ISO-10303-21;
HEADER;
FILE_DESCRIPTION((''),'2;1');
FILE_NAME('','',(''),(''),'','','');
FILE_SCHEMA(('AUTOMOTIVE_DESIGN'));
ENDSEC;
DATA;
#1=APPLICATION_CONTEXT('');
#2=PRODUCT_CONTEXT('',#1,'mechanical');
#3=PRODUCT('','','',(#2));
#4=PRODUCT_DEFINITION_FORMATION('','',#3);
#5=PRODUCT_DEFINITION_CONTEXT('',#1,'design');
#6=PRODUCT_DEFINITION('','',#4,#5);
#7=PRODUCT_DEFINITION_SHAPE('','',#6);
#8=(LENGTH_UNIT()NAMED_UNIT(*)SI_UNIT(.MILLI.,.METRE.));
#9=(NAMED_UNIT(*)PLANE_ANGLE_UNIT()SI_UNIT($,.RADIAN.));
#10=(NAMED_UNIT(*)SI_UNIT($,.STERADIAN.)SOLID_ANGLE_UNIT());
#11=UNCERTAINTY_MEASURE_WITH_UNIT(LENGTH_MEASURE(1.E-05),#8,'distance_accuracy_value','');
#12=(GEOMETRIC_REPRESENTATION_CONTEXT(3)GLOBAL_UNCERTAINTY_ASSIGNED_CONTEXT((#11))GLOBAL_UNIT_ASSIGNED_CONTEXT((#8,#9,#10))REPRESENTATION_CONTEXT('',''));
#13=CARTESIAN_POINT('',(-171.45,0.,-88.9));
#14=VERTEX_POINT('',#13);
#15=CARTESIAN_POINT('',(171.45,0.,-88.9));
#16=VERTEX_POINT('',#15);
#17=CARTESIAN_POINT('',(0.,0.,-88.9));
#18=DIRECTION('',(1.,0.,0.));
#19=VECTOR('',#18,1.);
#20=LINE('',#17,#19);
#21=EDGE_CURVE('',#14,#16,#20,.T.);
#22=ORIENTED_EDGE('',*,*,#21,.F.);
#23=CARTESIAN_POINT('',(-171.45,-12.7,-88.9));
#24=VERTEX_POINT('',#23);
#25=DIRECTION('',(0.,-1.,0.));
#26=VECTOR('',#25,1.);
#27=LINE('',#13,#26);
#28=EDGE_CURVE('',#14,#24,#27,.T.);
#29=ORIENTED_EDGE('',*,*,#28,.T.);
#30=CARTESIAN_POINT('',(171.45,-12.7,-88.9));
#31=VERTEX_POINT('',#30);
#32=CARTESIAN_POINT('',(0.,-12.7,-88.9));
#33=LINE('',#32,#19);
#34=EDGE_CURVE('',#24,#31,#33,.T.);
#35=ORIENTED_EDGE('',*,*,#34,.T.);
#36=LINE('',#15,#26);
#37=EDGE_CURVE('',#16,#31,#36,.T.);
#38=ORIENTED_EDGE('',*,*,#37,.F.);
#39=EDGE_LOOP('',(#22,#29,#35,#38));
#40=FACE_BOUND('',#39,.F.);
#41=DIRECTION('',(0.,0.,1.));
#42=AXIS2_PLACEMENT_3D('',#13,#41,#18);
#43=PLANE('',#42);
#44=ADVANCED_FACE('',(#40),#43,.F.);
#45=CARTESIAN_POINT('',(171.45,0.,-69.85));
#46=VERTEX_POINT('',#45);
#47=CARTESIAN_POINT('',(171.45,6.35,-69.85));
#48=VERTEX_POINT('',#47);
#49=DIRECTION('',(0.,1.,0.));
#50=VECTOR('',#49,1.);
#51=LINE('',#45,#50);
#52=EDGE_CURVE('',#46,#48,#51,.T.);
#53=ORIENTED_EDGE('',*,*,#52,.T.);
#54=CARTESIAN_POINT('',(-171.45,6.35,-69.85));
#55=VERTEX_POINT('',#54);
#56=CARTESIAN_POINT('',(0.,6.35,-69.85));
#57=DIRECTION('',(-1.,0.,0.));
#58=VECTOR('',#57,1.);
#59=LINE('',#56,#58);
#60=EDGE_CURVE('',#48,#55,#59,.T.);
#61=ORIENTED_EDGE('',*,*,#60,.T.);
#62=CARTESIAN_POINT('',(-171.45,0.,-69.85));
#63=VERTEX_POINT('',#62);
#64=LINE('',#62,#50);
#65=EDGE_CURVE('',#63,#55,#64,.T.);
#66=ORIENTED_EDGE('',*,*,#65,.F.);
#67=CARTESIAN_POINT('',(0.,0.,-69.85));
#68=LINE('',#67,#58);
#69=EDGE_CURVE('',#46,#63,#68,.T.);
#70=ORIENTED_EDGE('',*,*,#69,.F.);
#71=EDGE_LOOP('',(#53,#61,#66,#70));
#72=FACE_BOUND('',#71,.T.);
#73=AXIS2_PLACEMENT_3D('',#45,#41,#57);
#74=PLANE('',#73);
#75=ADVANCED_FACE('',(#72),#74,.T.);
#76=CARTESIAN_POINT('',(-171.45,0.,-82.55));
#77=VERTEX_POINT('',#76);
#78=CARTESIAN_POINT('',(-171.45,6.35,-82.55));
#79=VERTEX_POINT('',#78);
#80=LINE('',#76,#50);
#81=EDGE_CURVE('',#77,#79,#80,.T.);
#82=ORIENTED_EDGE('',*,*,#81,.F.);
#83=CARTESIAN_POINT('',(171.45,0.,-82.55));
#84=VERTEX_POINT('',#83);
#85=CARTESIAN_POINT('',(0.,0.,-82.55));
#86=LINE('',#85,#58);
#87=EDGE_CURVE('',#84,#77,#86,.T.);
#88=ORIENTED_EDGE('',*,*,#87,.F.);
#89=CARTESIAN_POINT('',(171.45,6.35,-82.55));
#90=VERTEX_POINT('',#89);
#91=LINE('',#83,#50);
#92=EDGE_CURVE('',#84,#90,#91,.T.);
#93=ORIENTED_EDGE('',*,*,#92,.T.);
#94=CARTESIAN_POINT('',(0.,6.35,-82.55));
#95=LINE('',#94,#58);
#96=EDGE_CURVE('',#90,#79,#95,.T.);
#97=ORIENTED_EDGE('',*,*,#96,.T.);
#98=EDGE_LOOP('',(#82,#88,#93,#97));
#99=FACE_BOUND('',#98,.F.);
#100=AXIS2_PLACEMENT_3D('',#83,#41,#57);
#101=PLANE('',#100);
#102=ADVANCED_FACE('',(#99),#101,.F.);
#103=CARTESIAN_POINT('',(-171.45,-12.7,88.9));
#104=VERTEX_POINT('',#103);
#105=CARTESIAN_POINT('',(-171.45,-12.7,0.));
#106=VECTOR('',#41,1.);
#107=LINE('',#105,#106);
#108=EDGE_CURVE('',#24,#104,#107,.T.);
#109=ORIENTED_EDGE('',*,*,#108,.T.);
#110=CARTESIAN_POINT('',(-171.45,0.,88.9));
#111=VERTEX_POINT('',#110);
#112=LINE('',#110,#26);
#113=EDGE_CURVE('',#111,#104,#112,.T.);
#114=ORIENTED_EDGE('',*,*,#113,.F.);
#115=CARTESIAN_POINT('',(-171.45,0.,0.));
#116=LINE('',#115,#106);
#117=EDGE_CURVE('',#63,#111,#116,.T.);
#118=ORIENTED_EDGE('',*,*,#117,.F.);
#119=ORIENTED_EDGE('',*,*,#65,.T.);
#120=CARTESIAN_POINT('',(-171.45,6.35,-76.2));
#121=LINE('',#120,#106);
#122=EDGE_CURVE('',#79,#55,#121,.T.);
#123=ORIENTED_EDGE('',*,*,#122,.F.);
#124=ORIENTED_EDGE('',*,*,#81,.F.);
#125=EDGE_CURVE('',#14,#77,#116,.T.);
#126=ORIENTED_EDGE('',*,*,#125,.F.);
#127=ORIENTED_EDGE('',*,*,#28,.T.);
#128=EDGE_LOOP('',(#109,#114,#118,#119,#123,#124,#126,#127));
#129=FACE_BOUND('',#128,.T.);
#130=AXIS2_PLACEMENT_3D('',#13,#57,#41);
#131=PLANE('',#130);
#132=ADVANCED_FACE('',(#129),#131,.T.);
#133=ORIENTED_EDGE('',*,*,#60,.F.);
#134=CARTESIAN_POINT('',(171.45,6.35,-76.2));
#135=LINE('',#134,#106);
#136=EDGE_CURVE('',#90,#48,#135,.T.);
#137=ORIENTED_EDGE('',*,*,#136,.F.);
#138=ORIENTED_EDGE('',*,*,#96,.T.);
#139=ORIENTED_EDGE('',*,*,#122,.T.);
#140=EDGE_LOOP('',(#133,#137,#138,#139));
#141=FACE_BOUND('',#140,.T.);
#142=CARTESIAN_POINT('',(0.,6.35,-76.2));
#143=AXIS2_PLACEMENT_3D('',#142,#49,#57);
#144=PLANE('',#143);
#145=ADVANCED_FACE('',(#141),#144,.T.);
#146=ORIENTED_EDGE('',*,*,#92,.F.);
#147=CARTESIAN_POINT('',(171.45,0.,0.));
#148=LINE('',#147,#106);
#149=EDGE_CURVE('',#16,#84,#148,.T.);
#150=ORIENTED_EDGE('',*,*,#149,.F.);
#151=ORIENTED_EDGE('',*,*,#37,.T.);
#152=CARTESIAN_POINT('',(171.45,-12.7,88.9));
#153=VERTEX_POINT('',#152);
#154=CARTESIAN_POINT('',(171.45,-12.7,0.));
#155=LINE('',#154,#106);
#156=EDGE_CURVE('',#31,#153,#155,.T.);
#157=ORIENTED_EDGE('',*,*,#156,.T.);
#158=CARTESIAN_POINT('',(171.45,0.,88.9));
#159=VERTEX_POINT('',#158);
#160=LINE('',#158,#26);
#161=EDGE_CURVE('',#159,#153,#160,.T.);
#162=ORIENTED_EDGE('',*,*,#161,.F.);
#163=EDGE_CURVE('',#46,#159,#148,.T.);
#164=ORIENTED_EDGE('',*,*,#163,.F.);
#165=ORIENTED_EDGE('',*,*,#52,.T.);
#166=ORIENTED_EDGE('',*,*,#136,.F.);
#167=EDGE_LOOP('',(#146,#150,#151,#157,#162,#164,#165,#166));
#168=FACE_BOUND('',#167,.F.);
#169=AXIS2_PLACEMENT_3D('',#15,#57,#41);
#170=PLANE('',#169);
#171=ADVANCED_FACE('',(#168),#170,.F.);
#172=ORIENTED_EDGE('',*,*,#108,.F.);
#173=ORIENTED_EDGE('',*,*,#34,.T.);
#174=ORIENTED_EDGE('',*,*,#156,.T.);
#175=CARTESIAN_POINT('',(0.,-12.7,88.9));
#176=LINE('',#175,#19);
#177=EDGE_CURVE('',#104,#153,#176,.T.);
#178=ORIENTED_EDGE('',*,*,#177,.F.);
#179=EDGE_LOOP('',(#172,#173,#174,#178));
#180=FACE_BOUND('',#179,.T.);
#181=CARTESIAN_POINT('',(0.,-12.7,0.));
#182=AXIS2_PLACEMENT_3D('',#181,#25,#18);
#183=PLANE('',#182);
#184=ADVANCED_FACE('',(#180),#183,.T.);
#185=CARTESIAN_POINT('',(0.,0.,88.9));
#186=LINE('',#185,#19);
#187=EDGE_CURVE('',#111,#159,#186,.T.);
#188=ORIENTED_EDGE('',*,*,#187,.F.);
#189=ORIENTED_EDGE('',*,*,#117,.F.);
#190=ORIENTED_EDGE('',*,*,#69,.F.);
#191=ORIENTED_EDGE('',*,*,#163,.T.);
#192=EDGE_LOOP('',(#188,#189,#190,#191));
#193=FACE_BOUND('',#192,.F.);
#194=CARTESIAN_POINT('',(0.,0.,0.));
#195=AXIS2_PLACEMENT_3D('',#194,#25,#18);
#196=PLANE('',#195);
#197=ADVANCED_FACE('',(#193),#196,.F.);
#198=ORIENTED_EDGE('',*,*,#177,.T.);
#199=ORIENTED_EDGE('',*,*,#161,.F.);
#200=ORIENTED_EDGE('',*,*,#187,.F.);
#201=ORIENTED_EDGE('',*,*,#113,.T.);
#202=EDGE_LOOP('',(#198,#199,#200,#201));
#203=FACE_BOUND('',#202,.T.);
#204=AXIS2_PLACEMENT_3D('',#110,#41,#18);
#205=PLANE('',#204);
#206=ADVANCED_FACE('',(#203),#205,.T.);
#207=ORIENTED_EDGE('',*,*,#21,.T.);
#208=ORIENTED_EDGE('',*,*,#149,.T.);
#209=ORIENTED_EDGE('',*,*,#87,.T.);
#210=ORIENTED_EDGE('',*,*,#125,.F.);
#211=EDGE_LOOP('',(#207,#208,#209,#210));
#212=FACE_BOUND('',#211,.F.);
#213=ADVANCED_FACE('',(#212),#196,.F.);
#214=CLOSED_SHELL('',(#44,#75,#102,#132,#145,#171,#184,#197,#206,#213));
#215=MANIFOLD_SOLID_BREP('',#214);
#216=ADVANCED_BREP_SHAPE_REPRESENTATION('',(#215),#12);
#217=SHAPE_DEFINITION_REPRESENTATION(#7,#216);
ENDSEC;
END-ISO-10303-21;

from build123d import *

# Parameters (mm, degrees)
F0_W     = 342.9
F0_H     = 177.8
F1_DEPTH = 12.7
F2_W     = 342.9
F2_H     = 12.7
F3_DEPTH = 6.35


with BuildPart() as f1:
    # F0 (on Front) → F1 (new body)
    with BuildSketch(Plane.XZ):
        Rectangle(F0_W, F0_H)
    extrude(amount=F1_DEPTH)

    # F2 (on face) → F3 (join)
    with BuildSketch(Plane(origin=(0, 0, 0), x_dir=(-1, 0, 0), z_dir=(0, 1, 0))):
        with Locations((0, -76.2)):
            Rectangle(F2_W, F2_H)
    extrude(amount=F3_DEPTH)


solid = f1.part
